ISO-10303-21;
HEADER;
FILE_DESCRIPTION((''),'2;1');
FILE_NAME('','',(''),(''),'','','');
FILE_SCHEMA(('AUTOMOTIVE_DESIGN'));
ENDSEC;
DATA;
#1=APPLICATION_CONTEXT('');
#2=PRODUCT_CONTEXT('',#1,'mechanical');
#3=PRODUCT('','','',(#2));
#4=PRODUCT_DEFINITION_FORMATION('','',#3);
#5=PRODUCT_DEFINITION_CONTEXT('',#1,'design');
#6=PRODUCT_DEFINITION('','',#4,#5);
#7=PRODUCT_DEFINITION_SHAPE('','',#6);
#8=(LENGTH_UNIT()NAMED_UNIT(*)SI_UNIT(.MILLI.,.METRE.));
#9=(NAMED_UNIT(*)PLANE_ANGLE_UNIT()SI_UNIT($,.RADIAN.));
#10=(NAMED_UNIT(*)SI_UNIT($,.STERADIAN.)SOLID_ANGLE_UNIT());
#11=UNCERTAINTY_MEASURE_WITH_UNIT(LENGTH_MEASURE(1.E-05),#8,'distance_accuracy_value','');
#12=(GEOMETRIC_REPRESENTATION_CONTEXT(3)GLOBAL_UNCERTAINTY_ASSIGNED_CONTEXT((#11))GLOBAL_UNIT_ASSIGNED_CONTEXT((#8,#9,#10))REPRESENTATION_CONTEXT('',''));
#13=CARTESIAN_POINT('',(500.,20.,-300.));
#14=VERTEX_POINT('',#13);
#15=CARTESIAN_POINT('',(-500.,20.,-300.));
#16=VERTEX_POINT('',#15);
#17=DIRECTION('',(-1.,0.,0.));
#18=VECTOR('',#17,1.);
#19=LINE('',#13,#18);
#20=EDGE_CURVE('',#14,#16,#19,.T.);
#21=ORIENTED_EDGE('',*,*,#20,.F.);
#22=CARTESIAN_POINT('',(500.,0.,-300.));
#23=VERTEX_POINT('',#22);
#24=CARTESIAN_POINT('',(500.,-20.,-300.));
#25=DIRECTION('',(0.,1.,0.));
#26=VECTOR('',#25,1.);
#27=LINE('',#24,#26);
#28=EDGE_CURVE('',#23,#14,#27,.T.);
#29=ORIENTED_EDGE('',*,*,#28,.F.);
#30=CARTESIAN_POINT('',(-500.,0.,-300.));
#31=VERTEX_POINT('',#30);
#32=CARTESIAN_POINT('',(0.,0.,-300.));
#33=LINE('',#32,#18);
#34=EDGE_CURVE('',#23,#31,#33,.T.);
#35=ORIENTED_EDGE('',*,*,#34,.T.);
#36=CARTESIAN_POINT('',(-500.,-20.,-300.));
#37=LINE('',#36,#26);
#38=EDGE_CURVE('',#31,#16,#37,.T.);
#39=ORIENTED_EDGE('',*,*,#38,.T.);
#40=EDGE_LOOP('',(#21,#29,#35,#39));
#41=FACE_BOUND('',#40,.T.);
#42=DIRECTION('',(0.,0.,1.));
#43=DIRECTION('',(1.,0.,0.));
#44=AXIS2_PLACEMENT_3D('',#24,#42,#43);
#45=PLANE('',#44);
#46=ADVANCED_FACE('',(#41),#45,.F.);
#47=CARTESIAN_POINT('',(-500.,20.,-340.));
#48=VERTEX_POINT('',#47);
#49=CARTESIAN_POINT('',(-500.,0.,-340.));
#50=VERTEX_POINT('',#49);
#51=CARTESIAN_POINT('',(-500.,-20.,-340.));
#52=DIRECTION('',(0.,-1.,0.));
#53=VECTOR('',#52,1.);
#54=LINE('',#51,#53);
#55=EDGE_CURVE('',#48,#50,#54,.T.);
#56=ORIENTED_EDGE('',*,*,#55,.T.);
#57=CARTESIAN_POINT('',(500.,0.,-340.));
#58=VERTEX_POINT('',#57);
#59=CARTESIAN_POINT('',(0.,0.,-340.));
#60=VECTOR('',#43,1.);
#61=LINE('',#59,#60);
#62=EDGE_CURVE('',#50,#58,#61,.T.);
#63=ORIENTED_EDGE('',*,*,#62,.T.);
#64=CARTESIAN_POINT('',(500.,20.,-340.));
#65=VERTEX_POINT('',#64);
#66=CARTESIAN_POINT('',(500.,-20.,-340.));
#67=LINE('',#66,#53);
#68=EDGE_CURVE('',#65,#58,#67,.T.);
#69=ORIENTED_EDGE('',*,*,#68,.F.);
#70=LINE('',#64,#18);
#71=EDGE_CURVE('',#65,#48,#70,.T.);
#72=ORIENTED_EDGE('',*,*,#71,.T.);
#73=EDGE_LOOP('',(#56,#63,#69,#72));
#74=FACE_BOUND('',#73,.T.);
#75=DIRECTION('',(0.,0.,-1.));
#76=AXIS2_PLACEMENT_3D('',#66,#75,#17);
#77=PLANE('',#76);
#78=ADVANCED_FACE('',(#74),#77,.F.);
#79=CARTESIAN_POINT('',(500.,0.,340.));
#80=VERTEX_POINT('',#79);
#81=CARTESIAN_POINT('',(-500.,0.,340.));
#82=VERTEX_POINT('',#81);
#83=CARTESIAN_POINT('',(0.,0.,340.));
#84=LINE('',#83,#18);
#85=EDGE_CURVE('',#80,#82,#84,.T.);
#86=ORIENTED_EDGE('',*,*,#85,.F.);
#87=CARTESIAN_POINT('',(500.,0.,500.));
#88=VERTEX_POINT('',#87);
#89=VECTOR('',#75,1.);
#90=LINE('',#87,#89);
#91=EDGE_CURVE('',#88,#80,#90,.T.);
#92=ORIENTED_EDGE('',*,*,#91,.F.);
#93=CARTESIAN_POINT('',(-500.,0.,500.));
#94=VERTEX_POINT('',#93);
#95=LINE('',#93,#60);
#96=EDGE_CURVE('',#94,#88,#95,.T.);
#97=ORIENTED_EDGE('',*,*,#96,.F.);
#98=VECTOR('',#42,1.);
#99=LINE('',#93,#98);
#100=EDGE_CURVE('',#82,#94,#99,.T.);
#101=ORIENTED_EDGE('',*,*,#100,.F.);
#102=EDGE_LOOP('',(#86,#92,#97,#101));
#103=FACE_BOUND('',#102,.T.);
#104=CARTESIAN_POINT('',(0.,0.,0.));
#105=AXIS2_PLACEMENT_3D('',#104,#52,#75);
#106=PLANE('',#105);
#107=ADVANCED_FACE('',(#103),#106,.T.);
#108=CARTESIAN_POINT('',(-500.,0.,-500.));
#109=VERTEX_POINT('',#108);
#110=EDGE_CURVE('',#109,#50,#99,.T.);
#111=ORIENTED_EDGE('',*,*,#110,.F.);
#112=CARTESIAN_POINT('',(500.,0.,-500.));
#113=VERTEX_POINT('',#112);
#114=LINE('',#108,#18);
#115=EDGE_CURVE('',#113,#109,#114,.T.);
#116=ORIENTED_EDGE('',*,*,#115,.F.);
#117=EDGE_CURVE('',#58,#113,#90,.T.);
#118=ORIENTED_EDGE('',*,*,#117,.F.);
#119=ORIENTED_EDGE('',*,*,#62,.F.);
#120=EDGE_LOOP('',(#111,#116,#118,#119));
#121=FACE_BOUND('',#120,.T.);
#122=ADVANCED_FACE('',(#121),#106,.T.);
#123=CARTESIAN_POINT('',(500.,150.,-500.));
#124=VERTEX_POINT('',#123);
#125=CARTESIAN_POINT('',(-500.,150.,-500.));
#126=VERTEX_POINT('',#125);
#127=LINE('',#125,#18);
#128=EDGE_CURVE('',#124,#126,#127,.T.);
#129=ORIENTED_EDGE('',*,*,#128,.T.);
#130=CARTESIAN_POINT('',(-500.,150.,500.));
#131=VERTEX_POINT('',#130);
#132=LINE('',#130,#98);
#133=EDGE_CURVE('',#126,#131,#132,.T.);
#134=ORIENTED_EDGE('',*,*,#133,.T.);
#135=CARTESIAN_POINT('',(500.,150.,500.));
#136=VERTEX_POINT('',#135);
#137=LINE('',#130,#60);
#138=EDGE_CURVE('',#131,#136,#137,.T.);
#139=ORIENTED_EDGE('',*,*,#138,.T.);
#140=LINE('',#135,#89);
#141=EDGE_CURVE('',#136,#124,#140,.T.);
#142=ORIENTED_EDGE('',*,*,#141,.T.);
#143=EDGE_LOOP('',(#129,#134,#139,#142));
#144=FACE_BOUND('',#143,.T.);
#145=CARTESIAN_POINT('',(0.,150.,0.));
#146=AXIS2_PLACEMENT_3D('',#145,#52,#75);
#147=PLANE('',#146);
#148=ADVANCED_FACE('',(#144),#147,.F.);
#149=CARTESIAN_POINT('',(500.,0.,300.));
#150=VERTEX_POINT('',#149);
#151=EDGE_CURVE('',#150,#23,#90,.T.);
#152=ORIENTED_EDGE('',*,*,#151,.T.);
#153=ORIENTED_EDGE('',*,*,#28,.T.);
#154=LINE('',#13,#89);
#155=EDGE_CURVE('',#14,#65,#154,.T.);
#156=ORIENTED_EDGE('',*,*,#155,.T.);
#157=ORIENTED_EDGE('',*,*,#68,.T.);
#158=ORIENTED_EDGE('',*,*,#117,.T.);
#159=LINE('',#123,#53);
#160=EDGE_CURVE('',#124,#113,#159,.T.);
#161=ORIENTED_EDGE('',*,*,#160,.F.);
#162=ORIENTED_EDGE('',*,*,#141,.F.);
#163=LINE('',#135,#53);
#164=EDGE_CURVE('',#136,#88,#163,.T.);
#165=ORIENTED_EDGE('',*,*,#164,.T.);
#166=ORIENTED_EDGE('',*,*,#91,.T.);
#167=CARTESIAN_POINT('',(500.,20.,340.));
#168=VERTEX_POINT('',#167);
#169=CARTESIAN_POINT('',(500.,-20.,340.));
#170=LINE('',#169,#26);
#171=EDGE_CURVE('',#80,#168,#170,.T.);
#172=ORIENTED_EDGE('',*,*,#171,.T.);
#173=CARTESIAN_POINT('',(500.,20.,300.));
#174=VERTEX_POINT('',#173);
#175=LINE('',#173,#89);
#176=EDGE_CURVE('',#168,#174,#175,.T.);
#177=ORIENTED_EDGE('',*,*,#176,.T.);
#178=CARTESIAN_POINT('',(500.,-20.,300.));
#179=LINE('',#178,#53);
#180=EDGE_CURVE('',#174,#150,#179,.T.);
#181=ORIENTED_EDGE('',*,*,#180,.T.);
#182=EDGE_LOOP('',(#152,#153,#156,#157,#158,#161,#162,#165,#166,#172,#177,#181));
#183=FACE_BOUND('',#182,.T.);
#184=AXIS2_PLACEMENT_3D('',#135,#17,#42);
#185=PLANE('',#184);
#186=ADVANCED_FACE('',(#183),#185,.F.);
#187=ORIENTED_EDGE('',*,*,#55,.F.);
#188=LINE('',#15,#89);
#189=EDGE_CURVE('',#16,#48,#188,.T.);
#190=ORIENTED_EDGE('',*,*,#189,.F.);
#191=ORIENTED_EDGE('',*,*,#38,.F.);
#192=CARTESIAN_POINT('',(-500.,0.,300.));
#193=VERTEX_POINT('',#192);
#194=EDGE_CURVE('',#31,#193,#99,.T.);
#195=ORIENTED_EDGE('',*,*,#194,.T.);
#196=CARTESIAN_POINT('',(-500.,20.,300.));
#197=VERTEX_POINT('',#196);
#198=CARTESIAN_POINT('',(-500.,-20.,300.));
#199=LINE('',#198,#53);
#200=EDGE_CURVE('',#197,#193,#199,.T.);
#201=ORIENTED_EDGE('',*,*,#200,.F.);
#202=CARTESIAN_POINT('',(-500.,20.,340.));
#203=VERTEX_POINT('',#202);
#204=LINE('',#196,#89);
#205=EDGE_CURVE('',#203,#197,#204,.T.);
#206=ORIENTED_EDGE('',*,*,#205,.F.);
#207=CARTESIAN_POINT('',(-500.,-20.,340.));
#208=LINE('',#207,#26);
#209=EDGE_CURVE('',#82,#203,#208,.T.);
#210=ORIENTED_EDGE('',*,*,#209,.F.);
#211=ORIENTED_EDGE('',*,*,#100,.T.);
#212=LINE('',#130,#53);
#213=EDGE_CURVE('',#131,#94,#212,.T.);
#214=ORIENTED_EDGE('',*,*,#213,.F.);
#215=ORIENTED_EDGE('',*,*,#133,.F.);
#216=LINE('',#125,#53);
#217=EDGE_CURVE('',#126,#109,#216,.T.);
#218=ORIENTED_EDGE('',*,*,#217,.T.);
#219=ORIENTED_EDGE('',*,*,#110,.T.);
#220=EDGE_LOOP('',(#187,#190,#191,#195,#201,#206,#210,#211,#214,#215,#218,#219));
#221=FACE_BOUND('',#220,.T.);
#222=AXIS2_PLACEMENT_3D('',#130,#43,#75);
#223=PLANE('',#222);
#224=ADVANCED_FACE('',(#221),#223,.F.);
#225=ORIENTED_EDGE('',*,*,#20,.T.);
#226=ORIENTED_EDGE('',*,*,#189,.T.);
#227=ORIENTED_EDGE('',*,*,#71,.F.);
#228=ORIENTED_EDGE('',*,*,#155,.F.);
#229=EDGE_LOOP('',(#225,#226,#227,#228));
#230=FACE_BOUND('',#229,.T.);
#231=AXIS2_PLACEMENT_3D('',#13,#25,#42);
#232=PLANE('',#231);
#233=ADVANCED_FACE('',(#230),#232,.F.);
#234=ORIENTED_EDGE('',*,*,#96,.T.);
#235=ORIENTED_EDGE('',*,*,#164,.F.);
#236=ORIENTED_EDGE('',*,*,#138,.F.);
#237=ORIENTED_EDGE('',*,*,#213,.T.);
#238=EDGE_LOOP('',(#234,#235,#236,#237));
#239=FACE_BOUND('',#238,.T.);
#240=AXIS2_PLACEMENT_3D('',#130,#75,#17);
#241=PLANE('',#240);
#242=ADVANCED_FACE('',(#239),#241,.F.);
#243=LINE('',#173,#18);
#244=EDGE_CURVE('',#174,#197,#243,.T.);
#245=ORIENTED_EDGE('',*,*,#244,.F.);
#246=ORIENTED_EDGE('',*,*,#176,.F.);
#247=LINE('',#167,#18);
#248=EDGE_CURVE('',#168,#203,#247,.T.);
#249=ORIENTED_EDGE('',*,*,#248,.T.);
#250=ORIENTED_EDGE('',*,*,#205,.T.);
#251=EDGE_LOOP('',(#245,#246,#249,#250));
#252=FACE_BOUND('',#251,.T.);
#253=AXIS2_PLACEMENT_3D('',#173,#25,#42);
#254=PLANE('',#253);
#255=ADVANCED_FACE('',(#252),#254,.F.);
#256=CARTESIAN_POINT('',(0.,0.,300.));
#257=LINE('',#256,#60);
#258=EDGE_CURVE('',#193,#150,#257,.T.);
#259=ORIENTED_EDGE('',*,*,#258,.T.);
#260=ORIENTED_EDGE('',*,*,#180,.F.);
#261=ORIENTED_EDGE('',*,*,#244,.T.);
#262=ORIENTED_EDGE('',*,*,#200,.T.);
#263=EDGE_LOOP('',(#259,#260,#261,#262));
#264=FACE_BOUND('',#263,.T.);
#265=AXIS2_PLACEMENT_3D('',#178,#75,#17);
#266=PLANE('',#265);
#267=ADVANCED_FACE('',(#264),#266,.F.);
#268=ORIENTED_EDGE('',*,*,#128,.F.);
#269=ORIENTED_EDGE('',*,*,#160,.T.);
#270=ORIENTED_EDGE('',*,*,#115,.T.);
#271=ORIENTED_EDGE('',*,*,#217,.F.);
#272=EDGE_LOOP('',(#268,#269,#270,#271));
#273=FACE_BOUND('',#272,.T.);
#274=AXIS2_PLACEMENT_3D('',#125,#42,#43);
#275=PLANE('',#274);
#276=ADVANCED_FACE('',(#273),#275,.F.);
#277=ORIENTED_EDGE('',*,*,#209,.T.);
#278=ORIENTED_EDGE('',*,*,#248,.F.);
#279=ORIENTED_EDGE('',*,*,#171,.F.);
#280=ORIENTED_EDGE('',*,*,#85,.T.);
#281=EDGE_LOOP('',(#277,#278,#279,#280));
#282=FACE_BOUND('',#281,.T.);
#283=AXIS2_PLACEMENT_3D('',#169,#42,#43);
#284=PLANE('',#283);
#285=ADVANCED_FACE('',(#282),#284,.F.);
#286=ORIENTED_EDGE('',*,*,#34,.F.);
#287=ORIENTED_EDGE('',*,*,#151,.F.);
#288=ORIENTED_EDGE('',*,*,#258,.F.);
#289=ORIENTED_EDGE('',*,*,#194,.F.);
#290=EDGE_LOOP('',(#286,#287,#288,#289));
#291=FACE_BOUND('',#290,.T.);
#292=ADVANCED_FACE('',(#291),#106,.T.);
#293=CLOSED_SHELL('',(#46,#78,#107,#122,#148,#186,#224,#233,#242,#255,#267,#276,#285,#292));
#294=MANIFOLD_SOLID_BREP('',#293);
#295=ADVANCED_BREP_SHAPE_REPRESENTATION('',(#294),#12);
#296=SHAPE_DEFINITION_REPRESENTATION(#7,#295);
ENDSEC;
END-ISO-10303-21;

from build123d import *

# Parameters (mm, degrees)
ESBO_O1_W                = 1000
ESBO_O1_H                = 1000
RESSALTO_EXTRUS_O1_DEPTH = 150
ESBO_O2_W                = 40
ESBO_O2_H                = 40
CORTE_EXTRUS_O1_DEPTH    = 1001


with BuildPart() as part:
    # Esboço1 → Ressalto-extrusão1 (new body)
    with BuildSketch(Plane(origin=(0, 0, 0), x_dir=(1, 0, 0), z_dir=(0, 1, 0))):
        Rectangle(ESBO_O1_W, ESBO_O1_H)
    extrude(amount=RESSALTO_EXTRUS_O1_DEPTH)

    # Esboço2 → Corte-extrusão1 (cut, through all)
    with BuildSketch(Plane.ZY.offset(500)):
        with Locations((320, 0)):
            Rectangle(ESBO_O2_W, ESBO_O2_H)
        with Locations((-320, 0)):
            Rectangle(ESBO_O2_W, ESBO_O2_H)
    extrude(amount=-CORTE_EXTRUS_O1_DEPTH, mode=Mode.SUBTRACT)


solid = part.part
